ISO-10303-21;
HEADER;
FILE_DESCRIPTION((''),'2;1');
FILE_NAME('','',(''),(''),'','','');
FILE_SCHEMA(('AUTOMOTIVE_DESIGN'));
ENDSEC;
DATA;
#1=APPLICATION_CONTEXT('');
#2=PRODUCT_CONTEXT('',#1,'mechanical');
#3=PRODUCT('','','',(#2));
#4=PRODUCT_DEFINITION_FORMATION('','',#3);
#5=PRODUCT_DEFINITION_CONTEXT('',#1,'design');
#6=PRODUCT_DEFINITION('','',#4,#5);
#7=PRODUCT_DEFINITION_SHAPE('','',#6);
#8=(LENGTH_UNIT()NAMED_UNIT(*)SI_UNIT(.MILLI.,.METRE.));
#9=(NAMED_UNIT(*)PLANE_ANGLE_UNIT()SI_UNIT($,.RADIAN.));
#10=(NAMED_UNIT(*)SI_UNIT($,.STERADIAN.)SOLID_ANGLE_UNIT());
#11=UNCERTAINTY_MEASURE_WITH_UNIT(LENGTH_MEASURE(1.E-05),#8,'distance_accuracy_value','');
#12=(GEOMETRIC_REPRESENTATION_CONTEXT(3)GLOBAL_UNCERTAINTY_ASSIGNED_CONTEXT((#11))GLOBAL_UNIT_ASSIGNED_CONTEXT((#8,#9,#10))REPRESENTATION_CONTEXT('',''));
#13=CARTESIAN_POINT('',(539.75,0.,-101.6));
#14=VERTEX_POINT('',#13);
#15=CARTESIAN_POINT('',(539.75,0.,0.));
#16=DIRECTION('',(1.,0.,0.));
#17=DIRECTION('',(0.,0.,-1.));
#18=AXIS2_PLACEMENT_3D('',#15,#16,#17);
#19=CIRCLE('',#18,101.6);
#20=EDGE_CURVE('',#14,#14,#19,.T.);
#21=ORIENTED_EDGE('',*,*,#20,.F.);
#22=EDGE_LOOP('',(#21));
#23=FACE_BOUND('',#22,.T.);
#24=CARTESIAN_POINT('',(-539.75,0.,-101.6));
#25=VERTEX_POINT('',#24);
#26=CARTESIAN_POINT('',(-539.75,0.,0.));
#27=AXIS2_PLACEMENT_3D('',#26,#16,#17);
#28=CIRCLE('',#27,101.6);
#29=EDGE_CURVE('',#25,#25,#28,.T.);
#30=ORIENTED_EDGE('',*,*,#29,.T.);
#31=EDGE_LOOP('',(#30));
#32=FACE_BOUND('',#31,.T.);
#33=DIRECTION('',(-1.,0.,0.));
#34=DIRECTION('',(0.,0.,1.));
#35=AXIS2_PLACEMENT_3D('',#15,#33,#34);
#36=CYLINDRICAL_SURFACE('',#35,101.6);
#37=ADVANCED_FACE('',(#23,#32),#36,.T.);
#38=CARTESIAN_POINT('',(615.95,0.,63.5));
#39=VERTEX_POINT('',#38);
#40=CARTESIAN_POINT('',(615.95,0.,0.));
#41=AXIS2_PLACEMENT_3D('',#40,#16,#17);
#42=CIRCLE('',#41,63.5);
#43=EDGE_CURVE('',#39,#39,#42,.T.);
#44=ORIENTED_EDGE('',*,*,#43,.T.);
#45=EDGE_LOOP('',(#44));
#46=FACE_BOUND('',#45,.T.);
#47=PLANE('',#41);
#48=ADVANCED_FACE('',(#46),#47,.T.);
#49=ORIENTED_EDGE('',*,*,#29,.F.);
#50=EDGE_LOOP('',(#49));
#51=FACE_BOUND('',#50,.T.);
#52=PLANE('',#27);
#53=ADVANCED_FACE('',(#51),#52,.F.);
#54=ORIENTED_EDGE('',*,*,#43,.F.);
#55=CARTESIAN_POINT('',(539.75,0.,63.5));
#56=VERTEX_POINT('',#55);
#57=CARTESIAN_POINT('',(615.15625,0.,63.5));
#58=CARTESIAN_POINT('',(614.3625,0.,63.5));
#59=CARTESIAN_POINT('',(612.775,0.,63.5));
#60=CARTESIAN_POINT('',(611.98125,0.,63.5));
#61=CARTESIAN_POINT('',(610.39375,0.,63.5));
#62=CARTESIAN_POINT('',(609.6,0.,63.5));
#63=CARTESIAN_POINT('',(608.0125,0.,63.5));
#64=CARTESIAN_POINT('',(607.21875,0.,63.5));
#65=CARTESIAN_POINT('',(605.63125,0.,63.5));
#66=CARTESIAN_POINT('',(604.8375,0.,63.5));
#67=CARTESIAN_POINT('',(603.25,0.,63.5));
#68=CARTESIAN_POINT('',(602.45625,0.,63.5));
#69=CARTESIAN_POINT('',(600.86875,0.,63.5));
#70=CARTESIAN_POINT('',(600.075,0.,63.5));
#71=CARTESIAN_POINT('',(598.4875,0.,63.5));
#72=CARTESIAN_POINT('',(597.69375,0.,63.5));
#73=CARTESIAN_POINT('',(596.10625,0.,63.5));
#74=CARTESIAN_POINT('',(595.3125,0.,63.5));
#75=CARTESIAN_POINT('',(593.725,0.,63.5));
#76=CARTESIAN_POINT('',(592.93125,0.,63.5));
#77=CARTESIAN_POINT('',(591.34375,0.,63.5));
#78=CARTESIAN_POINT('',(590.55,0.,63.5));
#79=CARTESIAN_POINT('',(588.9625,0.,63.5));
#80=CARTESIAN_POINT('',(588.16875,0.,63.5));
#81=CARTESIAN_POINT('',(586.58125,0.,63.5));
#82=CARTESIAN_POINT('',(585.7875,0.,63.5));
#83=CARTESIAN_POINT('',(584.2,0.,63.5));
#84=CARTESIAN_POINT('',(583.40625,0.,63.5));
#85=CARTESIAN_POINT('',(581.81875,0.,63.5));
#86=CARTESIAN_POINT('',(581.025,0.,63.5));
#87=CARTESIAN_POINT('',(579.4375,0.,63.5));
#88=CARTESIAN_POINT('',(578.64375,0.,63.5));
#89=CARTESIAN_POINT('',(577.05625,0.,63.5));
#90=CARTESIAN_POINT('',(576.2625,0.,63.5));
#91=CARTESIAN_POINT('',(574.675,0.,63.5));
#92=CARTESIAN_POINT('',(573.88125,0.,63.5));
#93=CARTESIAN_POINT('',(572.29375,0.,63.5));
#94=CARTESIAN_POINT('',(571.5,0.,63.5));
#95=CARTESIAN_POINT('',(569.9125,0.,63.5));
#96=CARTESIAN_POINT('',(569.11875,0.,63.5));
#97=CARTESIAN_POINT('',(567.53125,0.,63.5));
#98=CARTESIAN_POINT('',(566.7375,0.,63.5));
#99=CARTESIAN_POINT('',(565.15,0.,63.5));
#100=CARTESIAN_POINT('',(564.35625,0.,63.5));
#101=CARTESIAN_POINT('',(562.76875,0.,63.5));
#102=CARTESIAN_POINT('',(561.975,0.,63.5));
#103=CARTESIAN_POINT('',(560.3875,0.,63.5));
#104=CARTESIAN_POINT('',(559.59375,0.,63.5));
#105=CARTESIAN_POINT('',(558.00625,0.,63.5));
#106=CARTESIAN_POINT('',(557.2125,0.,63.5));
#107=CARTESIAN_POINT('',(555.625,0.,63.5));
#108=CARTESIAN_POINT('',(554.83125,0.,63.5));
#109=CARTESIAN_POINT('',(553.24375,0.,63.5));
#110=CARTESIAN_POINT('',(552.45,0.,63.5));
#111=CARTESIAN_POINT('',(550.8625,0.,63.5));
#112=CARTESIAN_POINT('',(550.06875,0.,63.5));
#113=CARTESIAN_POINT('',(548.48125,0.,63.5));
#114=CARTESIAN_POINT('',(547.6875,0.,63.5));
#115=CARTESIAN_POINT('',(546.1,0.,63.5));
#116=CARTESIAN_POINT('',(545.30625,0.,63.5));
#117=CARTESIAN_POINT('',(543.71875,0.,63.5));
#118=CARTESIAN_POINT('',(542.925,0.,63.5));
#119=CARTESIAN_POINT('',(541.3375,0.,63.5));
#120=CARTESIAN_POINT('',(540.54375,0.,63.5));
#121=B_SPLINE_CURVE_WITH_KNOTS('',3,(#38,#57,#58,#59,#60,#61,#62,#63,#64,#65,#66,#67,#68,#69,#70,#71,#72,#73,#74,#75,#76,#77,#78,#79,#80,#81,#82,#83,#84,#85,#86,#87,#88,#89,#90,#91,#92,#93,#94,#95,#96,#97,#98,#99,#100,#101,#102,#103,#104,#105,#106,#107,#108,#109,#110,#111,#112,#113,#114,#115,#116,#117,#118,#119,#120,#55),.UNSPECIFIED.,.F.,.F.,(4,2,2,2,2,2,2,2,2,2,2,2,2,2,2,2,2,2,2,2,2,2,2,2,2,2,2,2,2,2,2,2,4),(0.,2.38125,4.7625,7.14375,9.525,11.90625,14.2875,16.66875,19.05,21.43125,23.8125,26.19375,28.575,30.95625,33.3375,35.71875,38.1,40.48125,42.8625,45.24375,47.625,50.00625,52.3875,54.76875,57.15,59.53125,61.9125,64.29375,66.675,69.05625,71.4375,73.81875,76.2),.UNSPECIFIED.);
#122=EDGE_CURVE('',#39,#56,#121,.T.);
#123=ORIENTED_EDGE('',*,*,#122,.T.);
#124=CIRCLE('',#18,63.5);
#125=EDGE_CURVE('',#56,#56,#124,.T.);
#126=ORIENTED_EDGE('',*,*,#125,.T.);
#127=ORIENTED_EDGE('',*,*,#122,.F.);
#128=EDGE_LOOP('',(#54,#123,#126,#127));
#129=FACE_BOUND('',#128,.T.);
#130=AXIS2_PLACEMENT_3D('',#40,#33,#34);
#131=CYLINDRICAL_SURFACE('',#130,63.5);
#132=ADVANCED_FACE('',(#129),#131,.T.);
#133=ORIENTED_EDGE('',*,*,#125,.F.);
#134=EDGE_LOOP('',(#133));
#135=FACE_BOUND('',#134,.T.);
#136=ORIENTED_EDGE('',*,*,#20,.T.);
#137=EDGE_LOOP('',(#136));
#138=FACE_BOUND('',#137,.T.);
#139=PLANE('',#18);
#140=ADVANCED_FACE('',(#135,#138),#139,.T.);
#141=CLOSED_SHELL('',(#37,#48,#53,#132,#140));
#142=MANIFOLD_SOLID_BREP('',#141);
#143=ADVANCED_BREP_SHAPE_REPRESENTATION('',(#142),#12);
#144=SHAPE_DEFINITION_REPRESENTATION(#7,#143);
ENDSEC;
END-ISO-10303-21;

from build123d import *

# Parameters (mm, degrees)
SKETCH1_R           = 101.6
BOSS_EXTRUDE1_DEPTH = 539.75
SKETCH2_R           = 63.5
BOSS_EXTRUDE2_DEPTH = 76.2


with BuildPart() as part:
    # Sketch1 → Boss-Extrude1 (new, symmetric)
    with BuildSketch(Plane(origin=(0, 0, 0), x_dir=(0, 0, -1), z_dir=(1, 0, 0))):
        Circle(SKETCH1_R)
    extrude(amount=BOSS_EXTRUDE1_DEPTH, both=True)

    # Sketch2 → Boss-Extrude2 (add)
    with BuildSketch(Plane(origin=(539.75, 0, 0), x_dir=(0, 0, -1), z_dir=(1, 0, 0))):
        with Locations(Location((0, 0, 0), (0, 0, 180))):
            Circle(SKETCH2_R)
    extrude(amount=BOSS_EXTRUDE2_DEPTH)


solid = part.part
